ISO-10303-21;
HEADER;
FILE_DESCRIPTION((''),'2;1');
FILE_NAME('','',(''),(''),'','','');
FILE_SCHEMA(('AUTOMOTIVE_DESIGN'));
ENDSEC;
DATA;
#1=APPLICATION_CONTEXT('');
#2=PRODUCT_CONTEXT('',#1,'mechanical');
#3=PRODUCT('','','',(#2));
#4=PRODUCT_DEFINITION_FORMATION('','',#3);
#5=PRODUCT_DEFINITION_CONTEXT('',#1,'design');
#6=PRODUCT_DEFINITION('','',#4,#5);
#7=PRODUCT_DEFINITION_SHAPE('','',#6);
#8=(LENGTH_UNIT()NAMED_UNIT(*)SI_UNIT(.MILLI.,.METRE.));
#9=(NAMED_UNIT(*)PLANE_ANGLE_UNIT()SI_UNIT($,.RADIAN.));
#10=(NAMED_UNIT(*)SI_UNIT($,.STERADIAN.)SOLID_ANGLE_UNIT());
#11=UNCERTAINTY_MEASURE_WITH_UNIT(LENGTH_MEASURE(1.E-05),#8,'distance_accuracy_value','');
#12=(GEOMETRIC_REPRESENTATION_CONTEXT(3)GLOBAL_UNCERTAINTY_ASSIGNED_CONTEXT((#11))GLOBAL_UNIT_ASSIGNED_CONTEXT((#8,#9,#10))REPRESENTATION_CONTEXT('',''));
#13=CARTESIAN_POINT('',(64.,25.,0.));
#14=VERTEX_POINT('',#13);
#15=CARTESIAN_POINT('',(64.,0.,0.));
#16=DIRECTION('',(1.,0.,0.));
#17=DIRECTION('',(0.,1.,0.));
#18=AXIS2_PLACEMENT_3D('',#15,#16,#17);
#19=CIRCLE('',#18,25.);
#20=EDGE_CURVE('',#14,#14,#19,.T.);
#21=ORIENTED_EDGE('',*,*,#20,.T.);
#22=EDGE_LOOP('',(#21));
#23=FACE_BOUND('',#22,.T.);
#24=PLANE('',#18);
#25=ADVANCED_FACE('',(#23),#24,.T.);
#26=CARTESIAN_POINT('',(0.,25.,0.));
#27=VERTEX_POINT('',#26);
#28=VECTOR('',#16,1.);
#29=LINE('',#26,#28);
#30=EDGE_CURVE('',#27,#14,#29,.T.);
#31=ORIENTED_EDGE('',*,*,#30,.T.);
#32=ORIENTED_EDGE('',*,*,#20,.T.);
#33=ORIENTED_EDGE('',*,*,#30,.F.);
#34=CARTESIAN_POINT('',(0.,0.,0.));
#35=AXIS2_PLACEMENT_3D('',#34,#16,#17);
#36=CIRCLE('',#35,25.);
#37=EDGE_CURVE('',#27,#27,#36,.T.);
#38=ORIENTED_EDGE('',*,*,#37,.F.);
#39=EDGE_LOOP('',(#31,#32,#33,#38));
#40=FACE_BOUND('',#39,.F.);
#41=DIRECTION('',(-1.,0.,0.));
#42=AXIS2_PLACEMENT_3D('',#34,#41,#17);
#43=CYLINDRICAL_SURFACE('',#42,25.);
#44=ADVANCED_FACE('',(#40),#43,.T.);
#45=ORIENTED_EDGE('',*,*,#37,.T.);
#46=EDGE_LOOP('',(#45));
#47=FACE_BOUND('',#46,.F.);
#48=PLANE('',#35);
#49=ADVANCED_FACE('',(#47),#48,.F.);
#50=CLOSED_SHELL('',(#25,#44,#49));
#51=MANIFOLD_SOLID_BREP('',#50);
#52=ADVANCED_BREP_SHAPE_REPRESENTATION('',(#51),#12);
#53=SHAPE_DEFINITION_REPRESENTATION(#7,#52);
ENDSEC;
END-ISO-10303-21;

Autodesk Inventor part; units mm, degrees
ref_plane "YZ Plane" through (0, 0, 0) normal (1, 0, 0) x (0, 1, 0)
ref_plane "XZ Plane" through (0, 0, 0) normal (0, 1, 0) x (-1, 0, 0)
ref_plane "XY Plane" through (0, 0, 0) normal (0, 0, 1) x (1, 0, 0)
sketch "Sketch1" plane through (0, 0, 0) normal (1, 0, 0) x (0, 1, 0)
  circle A0 centre (0, 0) radius 25
  dimension "d0" = 50
extrude "Extrusion1" add sketch "Sketch1" along normal blind 64
properties part number "wheel"
